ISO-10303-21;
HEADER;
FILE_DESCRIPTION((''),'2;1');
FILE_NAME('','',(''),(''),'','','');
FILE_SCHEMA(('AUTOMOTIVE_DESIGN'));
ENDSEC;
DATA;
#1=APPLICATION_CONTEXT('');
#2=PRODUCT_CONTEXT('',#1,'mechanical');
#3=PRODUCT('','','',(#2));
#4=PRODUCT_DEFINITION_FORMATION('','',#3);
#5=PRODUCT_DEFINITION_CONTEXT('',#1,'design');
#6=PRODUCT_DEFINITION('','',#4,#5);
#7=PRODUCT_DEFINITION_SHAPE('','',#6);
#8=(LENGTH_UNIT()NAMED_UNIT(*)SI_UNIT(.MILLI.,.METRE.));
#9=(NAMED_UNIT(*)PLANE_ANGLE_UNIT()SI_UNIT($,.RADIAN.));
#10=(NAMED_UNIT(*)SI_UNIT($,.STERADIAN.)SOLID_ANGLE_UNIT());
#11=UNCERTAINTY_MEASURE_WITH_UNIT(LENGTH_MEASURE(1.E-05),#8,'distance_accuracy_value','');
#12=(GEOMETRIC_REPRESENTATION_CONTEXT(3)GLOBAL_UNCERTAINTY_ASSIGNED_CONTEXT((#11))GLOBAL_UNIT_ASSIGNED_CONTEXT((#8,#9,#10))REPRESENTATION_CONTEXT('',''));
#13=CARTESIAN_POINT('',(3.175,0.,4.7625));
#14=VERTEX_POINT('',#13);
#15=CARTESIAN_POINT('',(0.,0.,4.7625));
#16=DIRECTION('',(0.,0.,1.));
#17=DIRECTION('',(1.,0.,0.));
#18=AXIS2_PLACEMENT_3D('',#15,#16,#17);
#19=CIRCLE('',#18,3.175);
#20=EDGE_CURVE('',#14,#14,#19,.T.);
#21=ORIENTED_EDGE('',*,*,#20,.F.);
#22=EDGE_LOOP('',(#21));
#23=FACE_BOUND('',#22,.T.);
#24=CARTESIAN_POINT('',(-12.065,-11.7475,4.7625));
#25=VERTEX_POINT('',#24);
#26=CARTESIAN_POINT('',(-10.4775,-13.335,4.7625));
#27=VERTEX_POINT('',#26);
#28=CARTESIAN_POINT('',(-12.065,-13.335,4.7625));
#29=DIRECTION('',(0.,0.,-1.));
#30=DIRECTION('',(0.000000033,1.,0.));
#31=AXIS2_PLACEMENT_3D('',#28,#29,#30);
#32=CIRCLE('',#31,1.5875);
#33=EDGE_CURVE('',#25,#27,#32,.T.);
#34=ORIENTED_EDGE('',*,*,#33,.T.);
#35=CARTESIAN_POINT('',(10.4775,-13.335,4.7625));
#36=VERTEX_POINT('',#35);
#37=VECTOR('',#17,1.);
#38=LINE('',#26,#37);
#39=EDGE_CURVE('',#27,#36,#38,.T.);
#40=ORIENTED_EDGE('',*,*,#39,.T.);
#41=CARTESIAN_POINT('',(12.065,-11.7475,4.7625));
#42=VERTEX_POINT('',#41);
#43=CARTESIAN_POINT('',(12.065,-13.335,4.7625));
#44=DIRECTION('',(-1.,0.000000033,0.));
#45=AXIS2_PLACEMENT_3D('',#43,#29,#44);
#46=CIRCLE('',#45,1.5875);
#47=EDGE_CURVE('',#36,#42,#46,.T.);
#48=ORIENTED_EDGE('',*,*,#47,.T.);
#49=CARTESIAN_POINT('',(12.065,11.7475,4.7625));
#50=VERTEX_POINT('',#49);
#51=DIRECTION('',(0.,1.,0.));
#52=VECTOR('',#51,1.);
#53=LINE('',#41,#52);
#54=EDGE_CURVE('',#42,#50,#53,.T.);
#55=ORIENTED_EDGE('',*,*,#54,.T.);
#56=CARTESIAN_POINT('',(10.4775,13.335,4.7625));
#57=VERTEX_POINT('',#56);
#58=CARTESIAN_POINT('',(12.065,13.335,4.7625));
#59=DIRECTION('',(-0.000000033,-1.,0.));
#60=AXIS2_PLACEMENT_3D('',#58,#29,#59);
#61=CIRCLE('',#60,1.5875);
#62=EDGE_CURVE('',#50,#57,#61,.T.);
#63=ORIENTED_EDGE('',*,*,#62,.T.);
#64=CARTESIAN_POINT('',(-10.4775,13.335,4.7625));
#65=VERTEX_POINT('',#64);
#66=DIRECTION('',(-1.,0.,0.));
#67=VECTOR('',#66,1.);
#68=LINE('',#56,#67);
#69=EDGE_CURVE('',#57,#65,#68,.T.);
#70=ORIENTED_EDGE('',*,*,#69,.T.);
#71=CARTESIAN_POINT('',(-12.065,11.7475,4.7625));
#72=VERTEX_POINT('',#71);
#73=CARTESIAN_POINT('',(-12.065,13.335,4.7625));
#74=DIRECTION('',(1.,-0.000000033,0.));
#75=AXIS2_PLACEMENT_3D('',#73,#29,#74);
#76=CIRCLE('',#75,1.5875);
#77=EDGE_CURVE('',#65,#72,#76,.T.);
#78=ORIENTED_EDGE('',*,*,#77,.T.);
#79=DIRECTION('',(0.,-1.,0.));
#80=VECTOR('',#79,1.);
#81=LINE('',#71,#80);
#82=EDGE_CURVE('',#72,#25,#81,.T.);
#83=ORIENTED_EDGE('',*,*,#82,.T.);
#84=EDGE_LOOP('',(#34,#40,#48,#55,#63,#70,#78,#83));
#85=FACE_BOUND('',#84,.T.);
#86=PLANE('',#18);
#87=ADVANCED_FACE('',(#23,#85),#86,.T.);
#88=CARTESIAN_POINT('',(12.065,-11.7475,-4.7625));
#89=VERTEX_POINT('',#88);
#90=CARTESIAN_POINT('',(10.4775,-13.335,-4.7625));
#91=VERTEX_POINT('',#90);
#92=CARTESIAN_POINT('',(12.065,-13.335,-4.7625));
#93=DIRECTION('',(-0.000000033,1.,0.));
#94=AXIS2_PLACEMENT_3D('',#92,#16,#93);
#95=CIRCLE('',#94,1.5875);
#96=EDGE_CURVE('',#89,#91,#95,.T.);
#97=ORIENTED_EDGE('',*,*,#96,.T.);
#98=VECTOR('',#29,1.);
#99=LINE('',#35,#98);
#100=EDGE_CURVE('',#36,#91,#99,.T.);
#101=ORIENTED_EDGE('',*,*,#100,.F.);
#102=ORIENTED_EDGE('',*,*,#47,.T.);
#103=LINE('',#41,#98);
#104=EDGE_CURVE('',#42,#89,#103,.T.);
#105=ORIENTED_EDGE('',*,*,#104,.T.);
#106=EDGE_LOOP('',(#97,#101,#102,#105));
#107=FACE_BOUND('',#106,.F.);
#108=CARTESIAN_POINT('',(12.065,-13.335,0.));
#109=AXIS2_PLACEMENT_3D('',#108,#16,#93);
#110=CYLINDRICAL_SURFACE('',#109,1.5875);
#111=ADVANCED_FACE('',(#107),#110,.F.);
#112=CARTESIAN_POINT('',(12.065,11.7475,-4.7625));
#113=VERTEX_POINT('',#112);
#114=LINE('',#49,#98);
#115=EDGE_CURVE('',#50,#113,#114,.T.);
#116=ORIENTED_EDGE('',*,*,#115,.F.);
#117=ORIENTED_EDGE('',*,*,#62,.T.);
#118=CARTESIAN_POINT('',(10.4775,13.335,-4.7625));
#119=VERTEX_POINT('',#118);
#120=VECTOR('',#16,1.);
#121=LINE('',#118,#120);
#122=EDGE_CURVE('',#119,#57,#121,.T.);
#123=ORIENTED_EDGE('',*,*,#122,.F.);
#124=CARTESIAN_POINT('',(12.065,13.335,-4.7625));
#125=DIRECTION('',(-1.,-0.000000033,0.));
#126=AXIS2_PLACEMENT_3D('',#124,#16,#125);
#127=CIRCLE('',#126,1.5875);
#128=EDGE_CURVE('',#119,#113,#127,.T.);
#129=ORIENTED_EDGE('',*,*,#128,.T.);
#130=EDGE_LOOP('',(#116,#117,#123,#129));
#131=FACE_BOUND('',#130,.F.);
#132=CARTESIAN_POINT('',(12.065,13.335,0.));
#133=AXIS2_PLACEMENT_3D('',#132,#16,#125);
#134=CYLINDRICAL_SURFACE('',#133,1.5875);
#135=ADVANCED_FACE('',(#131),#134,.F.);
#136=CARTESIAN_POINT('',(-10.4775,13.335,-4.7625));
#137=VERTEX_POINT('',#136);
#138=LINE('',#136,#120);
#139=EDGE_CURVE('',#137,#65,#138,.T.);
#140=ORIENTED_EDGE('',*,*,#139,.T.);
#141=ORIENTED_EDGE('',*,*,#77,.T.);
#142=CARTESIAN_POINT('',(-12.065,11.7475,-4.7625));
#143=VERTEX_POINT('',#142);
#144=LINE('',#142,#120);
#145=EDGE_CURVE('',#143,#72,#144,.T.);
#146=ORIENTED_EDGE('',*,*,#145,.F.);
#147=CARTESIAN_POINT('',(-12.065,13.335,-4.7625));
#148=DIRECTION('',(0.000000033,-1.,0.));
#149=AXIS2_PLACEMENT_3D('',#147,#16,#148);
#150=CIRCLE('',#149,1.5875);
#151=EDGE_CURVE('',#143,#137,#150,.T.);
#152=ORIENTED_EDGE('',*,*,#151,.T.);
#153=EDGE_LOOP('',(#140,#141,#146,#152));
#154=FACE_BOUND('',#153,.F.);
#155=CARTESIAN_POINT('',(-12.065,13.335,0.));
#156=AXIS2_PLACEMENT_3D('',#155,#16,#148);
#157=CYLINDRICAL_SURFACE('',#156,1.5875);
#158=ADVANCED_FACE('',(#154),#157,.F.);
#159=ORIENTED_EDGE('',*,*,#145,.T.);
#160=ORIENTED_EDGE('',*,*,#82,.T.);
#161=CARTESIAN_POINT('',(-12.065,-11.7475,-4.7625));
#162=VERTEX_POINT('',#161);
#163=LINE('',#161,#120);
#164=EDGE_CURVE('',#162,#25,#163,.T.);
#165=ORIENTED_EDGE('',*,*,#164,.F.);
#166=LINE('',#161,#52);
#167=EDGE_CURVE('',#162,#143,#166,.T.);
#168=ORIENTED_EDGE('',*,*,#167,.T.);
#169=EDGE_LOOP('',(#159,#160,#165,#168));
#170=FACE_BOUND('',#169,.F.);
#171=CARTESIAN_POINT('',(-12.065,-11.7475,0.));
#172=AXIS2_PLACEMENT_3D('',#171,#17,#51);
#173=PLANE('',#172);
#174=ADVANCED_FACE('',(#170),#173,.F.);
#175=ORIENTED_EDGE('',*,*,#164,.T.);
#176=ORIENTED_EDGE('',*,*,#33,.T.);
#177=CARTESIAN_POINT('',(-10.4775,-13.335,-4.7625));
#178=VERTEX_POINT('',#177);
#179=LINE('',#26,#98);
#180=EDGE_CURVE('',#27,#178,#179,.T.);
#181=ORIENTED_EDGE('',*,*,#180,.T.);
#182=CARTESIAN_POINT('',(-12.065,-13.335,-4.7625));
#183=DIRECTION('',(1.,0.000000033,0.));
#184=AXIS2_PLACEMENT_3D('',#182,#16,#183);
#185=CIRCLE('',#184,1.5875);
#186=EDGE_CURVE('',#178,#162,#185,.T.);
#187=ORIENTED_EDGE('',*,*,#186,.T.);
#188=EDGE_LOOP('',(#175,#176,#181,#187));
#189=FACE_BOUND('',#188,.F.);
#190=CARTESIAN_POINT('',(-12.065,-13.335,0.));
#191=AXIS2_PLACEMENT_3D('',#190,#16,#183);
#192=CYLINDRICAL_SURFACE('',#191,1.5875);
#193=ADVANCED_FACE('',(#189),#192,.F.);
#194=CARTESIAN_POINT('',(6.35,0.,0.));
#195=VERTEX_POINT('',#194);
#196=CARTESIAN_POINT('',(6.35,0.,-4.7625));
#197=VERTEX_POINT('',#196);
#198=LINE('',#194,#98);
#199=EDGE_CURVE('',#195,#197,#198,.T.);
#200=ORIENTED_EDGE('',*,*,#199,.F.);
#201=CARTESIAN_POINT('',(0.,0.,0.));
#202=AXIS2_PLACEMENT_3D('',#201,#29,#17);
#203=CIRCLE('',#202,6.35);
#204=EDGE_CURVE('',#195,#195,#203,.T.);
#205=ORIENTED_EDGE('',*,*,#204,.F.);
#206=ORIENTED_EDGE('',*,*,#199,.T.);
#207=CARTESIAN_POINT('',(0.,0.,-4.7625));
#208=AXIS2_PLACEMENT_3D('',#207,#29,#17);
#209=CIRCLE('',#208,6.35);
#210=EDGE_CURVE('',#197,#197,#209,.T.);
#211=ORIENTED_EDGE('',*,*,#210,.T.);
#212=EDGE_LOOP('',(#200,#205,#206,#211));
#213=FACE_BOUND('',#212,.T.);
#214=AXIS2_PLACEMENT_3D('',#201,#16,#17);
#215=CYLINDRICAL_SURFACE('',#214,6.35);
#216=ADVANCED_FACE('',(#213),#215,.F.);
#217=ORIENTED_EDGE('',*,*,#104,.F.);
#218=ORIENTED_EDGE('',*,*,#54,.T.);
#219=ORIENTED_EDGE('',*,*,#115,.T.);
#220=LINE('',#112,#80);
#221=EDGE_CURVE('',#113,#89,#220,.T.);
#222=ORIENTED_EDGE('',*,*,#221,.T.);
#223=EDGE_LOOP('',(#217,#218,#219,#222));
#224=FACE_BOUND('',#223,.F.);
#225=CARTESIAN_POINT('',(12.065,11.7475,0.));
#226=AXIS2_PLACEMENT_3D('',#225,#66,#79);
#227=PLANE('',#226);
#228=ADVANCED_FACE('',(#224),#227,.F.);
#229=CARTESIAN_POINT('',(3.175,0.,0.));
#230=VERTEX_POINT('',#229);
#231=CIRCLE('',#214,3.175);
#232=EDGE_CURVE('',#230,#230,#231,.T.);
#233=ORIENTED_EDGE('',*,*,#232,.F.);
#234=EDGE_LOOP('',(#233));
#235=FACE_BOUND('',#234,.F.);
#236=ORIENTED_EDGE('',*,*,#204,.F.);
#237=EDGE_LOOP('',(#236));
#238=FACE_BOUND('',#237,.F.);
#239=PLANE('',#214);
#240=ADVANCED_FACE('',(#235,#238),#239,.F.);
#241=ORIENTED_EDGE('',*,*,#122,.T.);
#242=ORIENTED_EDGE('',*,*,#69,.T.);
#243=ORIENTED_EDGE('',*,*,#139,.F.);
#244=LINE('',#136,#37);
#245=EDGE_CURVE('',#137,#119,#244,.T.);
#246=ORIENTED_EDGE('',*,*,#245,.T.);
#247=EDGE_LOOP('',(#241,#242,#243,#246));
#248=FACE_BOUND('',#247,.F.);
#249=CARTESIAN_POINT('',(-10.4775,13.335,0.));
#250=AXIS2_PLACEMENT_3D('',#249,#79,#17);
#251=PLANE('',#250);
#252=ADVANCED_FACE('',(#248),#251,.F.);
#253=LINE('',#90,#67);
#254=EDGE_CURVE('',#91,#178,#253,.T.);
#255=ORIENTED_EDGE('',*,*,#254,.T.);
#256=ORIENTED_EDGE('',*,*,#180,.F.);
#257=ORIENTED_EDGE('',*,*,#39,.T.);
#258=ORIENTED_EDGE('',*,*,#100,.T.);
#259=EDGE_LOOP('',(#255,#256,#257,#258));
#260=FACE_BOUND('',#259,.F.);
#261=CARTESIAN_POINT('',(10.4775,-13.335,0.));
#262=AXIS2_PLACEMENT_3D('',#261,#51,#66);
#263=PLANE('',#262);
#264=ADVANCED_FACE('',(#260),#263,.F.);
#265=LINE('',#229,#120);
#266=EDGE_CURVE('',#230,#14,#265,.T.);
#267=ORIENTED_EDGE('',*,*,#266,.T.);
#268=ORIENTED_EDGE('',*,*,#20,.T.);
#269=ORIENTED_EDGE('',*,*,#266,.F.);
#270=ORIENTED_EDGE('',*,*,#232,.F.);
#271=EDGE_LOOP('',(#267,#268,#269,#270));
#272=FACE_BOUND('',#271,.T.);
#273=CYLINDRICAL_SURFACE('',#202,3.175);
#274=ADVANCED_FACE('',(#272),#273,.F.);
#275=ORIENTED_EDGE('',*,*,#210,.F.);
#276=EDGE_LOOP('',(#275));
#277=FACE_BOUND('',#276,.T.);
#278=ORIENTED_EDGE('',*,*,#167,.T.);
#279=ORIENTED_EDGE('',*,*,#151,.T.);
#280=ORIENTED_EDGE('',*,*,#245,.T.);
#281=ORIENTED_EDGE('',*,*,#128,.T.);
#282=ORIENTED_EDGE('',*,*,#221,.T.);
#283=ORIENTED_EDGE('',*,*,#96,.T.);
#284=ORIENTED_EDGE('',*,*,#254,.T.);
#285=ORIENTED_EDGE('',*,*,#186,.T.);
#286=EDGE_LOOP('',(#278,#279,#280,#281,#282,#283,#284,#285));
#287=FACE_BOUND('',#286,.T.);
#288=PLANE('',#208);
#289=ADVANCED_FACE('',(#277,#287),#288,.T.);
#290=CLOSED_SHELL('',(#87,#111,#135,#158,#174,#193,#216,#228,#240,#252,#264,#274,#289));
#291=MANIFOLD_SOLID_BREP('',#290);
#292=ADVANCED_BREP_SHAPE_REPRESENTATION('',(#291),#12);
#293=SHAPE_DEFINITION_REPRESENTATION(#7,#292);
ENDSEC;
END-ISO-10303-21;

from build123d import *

# Parameters (mm, degrees)
F0_R     = 3.175
F1_DEPTH = 4.7625
F2_R     = 6.35
F3_DEPTH = 4.7625


with BuildPart() as f1:
    # F0 (on Top) → F1 (new body)
    with BuildSketch(Plane.XY):
        with BuildLine():
            Line((10.4775, 13.335), (-10.4775, 13.335))
            ThreePointArc((-10.4775, 13.335), (-10.942468, 12.212468), (-12.065, 11.7475))
            Line((-12.065, 11.7475), (-12.065, -11.7475))
            ThreePointArc((-12.065, -11.7475), (-10.942468, -12.212468), (-10.4775, -13.335))
            Line((-10.4775, -13.335), (10.4775, -13.335))
            ThreePointArc((10.4775, -13.335), (10.942468, -12.212468), (12.065, -11.7475))
            Line((12.065, -11.7475), (12.065, 11.7475))
            ThreePointArc((12.065, 11.7475), (10.942468, 12.212468), (10.4775, 13.335))
        make_face()
        Circle(F0_R, mode=Mode.SUBTRACT)
    extrude(amount=F1_DEPTH)

    # F2 (on face) → F3 (join)
    with BuildSketch(Plane(origin=(0, 0, 0), x_dir=(1, 0, 0), z_dir=(0, 0, -1))):
        with BuildLine():
            ThreePointArc((10.4775, -13.335), (10.942468, -12.212468), (12.065, -11.7475))
            Line((12.065, -11.7475), (12.065, 11.7475))
            ThreePointArc((12.065, 11.7475), (10.942468, 12.212468), (10.4775, 13.335))
            Line((10.4775, 13.335), (-10.4775, 13.335))
            ThreePointArc((-10.4775, 13.335), (-10.942468, 12.212468), (-12.065, 11.7475))
            Line((-12.065, 11.7475), (-12.065, -11.7475))
            ThreePointArc((-12.065, -11.7475), (-10.942468, -12.212468), (-10.4775, -13.335))
            Line((-10.4775, -13.335), (10.4775, -13.335))
        make_face()
        Circle(F2_R, mode=Mode.SUBTRACT)
    extrude(amount=F3_DEPTH)


solid = f1.part
